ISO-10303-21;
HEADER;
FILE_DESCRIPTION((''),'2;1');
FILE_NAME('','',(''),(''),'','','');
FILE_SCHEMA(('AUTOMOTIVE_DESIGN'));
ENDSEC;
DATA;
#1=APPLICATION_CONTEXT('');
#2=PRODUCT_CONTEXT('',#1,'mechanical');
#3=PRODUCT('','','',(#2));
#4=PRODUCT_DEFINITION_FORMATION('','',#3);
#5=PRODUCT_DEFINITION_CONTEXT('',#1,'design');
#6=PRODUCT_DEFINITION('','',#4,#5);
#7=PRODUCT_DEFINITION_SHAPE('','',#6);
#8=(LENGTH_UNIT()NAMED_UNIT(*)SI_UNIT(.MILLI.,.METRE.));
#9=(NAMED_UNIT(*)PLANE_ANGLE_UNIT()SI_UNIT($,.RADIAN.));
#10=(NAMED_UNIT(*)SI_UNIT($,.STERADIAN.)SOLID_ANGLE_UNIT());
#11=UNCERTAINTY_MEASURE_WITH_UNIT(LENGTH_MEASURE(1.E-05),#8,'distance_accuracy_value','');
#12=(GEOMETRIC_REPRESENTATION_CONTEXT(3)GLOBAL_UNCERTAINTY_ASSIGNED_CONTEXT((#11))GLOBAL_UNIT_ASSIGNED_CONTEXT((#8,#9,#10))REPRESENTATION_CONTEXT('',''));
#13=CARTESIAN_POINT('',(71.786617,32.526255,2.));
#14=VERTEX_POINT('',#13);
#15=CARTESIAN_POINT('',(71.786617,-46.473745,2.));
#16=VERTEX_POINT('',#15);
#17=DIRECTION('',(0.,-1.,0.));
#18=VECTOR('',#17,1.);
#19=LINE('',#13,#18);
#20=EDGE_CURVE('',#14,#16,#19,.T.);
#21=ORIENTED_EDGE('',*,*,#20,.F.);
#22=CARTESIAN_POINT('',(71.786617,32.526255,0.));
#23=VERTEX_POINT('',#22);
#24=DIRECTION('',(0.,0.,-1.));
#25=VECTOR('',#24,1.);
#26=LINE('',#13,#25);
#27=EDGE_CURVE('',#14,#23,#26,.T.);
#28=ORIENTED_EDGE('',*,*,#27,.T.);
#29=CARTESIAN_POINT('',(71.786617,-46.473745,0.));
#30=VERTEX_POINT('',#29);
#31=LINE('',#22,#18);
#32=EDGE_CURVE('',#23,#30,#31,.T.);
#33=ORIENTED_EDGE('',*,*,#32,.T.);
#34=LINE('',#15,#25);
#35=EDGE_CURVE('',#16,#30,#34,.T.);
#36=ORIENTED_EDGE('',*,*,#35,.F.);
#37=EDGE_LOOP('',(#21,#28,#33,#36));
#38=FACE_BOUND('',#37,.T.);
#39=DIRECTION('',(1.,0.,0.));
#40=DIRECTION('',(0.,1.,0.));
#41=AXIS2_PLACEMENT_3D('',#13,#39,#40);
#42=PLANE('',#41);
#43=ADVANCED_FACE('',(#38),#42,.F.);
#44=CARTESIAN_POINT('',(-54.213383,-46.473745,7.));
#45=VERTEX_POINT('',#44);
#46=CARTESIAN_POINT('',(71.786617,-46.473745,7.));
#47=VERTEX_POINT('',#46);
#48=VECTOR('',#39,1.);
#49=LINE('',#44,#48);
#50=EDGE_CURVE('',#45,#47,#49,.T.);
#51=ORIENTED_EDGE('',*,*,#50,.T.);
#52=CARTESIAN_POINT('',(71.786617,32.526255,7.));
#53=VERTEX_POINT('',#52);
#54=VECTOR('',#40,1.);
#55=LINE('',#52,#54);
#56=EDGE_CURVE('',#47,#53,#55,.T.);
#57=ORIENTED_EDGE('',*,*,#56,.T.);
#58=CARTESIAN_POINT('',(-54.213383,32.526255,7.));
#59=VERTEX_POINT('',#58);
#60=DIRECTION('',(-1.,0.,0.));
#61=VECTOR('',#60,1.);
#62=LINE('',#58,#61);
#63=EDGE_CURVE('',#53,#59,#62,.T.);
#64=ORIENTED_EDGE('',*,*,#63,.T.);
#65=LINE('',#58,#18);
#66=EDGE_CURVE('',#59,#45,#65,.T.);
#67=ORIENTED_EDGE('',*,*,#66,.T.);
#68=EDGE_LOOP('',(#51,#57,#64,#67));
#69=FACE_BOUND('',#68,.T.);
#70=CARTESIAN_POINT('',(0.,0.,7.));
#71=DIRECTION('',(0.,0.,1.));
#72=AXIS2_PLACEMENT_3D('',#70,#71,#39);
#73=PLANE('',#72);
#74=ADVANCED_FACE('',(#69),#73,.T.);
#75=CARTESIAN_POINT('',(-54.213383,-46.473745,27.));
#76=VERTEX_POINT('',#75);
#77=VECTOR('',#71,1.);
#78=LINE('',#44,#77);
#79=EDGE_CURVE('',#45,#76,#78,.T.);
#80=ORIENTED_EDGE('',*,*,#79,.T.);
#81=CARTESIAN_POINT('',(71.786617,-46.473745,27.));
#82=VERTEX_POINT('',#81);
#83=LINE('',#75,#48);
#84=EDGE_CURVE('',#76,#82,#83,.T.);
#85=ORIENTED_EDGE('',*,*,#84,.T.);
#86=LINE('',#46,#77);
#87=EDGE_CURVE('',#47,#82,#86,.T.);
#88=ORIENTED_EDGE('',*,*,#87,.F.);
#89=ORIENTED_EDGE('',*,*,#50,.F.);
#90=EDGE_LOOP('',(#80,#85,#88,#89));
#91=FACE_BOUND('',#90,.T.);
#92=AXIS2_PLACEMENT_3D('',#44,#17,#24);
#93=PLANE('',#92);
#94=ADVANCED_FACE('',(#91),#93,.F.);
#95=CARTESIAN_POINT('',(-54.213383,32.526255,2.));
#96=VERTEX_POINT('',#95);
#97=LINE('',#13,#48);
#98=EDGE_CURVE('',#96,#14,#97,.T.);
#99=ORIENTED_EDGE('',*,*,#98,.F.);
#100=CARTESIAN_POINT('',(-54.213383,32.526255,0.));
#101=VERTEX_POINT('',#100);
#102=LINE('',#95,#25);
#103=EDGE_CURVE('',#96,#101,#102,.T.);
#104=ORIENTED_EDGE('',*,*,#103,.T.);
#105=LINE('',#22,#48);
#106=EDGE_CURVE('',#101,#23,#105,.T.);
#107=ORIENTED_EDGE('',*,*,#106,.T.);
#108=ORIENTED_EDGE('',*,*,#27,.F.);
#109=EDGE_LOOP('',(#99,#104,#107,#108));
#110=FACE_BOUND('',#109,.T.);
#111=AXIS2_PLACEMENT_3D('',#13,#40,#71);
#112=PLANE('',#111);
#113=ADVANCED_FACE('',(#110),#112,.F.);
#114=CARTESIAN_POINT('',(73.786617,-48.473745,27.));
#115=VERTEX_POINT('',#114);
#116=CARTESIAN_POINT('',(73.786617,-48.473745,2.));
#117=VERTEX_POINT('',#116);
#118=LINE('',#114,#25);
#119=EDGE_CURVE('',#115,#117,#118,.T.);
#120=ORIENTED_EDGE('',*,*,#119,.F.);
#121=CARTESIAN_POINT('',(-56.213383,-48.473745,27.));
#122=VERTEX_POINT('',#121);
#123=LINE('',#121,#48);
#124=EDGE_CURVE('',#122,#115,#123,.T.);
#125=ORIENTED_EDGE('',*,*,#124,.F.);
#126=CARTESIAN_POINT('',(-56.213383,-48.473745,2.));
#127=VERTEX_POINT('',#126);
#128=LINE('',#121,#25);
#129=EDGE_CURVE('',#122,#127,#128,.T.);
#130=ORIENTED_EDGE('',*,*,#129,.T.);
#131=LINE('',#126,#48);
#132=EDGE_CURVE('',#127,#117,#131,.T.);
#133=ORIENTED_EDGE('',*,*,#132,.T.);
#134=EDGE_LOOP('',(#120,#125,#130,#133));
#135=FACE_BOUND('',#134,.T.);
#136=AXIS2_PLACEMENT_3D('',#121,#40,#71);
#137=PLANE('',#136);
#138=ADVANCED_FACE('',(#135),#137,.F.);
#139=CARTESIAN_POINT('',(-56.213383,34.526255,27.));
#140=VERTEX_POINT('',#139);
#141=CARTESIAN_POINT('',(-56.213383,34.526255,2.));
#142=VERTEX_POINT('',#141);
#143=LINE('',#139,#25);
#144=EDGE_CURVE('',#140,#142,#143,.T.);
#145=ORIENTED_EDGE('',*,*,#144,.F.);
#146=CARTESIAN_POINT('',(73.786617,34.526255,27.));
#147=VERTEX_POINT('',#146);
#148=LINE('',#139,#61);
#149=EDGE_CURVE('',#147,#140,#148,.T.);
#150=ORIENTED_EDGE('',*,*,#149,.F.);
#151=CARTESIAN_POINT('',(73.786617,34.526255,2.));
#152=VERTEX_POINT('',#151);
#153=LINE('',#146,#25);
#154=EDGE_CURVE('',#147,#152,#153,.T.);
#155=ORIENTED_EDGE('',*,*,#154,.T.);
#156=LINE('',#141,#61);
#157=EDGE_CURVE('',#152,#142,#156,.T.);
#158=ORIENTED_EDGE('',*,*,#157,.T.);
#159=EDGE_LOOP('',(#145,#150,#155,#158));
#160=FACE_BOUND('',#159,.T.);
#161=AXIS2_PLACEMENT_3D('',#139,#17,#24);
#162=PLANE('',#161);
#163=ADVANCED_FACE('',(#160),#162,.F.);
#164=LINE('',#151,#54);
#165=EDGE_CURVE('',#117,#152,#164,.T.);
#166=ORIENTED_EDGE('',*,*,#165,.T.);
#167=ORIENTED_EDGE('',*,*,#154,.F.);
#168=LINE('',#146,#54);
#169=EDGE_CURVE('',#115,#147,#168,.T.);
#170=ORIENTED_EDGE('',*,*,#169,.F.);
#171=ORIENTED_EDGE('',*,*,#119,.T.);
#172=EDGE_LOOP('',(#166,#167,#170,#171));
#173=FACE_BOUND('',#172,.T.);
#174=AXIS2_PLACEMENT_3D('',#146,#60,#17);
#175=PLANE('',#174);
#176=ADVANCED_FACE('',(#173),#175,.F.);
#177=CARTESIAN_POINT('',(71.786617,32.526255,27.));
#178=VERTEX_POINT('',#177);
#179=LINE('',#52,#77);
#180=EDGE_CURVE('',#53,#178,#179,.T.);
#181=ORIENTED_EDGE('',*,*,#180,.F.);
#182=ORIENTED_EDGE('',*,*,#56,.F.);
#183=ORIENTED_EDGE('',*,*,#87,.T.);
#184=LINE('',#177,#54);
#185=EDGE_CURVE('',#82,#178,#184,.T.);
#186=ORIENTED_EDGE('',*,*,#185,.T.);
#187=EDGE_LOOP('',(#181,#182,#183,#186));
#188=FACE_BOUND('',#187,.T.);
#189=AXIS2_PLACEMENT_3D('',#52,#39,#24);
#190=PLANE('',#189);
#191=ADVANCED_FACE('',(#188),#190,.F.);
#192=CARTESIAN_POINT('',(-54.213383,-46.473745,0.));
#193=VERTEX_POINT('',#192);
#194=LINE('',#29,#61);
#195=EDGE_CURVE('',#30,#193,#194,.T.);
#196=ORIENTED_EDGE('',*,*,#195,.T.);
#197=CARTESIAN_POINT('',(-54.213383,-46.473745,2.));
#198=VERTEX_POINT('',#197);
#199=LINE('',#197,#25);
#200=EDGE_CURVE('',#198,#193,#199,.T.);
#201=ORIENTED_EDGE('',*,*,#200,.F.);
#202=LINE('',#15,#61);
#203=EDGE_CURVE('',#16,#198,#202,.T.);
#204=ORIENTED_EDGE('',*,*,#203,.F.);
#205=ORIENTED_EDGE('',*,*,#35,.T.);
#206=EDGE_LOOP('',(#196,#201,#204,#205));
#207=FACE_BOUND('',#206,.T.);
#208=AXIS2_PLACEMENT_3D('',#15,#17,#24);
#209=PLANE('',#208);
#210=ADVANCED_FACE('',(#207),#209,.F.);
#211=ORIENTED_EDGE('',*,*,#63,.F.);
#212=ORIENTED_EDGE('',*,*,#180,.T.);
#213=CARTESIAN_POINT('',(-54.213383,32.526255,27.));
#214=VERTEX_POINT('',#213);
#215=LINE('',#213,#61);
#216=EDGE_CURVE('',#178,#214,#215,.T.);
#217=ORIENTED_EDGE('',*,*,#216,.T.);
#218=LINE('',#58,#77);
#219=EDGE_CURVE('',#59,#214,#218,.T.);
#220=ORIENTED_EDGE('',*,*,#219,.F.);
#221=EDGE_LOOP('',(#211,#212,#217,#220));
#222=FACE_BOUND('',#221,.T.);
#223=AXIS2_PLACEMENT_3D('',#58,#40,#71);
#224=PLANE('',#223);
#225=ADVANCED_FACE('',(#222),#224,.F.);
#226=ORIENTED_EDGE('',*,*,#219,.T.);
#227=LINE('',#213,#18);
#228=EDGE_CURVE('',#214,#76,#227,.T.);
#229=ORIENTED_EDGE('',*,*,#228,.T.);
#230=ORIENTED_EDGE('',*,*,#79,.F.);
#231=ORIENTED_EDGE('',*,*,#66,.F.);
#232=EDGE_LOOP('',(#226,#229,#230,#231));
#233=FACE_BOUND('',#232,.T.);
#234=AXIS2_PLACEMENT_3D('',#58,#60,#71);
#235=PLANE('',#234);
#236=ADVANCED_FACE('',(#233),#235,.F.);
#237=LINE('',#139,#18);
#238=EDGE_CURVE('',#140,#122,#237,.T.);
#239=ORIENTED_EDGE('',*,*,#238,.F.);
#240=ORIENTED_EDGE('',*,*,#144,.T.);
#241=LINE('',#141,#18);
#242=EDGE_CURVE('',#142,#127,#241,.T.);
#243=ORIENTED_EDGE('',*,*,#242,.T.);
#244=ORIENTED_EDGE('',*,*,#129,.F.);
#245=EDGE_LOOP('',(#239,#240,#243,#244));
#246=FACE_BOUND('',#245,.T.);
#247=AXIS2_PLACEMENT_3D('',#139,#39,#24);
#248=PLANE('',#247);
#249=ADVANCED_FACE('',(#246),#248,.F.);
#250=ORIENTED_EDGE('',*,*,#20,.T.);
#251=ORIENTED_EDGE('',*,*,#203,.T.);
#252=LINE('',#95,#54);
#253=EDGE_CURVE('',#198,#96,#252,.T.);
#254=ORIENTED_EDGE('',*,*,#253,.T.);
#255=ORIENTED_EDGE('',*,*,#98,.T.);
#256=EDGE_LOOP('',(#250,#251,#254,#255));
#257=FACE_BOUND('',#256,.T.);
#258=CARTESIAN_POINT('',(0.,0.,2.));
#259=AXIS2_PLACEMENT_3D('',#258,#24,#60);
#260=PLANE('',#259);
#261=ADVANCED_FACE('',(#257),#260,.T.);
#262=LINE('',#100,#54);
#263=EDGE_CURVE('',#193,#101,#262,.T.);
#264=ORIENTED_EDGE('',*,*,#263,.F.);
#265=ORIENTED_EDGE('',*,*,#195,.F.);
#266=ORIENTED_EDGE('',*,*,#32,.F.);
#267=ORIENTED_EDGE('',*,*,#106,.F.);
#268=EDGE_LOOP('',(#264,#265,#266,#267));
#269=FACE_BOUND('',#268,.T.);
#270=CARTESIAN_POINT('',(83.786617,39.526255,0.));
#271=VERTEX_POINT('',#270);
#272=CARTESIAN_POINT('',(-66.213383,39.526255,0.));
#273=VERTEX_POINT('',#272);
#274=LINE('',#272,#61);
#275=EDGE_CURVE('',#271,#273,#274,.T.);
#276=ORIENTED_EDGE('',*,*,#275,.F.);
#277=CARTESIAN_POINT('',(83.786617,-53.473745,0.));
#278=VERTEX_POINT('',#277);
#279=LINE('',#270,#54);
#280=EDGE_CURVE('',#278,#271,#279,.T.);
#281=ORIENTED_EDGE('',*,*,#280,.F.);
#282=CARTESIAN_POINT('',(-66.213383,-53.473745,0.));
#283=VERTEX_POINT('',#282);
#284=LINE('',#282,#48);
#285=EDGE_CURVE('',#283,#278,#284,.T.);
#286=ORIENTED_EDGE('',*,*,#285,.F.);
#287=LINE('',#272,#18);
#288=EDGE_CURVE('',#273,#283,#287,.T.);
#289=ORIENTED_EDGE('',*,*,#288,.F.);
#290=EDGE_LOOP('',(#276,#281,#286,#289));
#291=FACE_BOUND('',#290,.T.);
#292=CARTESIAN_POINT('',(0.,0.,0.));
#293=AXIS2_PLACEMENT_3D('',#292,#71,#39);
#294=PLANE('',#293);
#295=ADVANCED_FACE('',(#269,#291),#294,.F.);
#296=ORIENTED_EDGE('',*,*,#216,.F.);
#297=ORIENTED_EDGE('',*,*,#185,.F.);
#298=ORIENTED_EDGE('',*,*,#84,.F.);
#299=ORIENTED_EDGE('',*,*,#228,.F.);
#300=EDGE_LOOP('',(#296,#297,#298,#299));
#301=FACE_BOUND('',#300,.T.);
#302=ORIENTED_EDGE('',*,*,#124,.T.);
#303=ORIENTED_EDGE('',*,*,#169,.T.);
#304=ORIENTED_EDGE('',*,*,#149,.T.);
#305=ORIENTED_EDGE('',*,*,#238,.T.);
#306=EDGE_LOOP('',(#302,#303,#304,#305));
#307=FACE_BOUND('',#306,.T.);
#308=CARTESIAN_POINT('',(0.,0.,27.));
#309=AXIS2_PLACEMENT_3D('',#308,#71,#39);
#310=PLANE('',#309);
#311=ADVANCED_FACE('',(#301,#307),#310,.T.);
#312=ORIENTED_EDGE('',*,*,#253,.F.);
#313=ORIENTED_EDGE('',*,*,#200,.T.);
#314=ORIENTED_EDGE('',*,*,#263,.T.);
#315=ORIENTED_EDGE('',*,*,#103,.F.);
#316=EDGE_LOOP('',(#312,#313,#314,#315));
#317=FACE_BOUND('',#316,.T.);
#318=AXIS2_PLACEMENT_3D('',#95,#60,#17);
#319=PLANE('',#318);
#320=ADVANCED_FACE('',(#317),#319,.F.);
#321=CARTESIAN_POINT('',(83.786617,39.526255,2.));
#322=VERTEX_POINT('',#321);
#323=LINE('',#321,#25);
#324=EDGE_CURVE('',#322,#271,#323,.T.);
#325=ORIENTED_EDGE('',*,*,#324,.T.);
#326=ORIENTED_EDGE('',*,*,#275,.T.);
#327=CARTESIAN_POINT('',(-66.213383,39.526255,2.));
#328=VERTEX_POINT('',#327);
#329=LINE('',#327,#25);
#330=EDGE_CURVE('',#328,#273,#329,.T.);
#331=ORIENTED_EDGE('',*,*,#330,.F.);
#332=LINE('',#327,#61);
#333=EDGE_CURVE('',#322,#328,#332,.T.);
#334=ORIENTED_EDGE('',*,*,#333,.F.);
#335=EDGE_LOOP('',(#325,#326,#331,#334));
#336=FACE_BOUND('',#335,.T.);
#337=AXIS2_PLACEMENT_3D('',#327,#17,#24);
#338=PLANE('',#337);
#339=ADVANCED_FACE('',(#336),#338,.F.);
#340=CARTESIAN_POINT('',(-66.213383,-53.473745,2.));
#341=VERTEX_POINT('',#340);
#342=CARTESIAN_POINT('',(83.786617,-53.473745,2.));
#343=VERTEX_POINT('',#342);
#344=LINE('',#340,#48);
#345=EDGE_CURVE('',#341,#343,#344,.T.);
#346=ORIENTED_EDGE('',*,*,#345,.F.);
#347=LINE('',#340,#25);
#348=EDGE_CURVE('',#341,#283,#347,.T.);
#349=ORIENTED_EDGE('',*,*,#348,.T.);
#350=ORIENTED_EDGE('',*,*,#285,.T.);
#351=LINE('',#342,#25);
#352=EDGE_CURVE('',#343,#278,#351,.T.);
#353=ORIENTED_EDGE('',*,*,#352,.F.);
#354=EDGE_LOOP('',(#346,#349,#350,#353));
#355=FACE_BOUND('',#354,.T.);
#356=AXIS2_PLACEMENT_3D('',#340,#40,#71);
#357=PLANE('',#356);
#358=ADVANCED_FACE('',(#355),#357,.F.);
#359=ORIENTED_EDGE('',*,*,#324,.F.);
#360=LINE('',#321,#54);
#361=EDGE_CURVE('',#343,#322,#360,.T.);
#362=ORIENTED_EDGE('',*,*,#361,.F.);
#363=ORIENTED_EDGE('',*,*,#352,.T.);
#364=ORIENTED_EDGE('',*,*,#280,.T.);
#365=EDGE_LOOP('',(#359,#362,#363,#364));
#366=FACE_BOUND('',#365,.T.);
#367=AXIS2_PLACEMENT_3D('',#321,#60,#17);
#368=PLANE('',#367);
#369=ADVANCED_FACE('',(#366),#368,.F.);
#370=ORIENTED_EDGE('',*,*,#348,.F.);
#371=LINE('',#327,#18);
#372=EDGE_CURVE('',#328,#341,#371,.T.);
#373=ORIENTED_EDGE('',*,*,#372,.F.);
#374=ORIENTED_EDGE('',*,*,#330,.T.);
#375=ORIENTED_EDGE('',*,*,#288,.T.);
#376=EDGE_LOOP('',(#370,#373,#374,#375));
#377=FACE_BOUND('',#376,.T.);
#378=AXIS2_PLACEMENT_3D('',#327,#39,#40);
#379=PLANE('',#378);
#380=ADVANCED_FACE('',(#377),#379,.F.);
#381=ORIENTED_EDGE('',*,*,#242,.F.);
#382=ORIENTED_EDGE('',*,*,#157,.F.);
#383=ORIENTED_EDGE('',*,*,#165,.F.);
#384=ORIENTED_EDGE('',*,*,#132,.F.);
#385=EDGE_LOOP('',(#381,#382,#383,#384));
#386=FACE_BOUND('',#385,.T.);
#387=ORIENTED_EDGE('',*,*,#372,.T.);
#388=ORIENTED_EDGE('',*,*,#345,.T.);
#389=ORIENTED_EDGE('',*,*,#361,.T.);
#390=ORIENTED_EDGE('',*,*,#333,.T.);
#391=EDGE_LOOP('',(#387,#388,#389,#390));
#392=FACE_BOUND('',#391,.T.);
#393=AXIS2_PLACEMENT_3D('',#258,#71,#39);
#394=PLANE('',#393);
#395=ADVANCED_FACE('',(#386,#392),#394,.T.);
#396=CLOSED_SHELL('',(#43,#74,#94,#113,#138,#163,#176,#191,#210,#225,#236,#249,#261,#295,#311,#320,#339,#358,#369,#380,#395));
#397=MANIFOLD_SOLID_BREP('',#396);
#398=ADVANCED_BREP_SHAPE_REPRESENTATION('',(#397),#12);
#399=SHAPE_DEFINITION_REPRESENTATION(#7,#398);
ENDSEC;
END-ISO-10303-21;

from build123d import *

# Parameters (mm, degrees)
SKETCH_1_W          = 150
SKETCH_1_H          = 93
EXTRUDE_2_DEPTH     = 2
SKETCH_2_W          = 130
SKETCH_2_H          = 83
EXTRUDE_3_DEPTH     = 25
SKETCH_3_W          = 126
SKETCH_3_H          = 79
CUT_EXTRUDE_1_DEPTH = 2
SKETCH_4_W          = 126
SKETCH_4_H          = 79
CUT_EXTRUDE_2_DEPTH = 20


with BuildPart() as part:
    # 草图1 → 凸台-拉伸2 (new body)
    with BuildSketch(Plane.XY):
        with Locations((8.786617008, -6.973744962)):
            Rectangle(SKETCH_1_W, SKETCH_1_H)
    extrude(amount=EXTRUDE_2_DEPTH)

    # 草图2 → 凸台-拉伸3 (add)
    with BuildSketch(Plane.XY.offset(2)):
        with Locations((8.786617008, -6.973744962)):
            Rectangle(SKETCH_2_W, SKETCH_2_H)
    extrude(amount=EXTRUDE_3_DEPTH)

    # 草图3 → 切除-拉伸1 (cut)
    with BuildSketch(Plane(origin=(0, 0, 0), x_dir=(-1, 0, 0), z_dir=(0, 0, -1))):
        with Locations((-8.786617008, -6.973744962)):
            Rectangle(SKETCH_3_W, SKETCH_3_H)
    extrude(amount=-CUT_EXTRUDE_1_DEPTH, mode=Mode.SUBTRACT)

    # 草图4 → 切除-拉伸2 (cut)
    with BuildSketch(Plane.XY.offset(27)):
        with Locations((8.786617008, -6.973744962)):
            Rectangle(SKETCH_4_W, SKETCH_4_H)
    extrude(amount=-CUT_EXTRUDE_2_DEPTH, mode=Mode.SUBTRACT)


solid = part.part
